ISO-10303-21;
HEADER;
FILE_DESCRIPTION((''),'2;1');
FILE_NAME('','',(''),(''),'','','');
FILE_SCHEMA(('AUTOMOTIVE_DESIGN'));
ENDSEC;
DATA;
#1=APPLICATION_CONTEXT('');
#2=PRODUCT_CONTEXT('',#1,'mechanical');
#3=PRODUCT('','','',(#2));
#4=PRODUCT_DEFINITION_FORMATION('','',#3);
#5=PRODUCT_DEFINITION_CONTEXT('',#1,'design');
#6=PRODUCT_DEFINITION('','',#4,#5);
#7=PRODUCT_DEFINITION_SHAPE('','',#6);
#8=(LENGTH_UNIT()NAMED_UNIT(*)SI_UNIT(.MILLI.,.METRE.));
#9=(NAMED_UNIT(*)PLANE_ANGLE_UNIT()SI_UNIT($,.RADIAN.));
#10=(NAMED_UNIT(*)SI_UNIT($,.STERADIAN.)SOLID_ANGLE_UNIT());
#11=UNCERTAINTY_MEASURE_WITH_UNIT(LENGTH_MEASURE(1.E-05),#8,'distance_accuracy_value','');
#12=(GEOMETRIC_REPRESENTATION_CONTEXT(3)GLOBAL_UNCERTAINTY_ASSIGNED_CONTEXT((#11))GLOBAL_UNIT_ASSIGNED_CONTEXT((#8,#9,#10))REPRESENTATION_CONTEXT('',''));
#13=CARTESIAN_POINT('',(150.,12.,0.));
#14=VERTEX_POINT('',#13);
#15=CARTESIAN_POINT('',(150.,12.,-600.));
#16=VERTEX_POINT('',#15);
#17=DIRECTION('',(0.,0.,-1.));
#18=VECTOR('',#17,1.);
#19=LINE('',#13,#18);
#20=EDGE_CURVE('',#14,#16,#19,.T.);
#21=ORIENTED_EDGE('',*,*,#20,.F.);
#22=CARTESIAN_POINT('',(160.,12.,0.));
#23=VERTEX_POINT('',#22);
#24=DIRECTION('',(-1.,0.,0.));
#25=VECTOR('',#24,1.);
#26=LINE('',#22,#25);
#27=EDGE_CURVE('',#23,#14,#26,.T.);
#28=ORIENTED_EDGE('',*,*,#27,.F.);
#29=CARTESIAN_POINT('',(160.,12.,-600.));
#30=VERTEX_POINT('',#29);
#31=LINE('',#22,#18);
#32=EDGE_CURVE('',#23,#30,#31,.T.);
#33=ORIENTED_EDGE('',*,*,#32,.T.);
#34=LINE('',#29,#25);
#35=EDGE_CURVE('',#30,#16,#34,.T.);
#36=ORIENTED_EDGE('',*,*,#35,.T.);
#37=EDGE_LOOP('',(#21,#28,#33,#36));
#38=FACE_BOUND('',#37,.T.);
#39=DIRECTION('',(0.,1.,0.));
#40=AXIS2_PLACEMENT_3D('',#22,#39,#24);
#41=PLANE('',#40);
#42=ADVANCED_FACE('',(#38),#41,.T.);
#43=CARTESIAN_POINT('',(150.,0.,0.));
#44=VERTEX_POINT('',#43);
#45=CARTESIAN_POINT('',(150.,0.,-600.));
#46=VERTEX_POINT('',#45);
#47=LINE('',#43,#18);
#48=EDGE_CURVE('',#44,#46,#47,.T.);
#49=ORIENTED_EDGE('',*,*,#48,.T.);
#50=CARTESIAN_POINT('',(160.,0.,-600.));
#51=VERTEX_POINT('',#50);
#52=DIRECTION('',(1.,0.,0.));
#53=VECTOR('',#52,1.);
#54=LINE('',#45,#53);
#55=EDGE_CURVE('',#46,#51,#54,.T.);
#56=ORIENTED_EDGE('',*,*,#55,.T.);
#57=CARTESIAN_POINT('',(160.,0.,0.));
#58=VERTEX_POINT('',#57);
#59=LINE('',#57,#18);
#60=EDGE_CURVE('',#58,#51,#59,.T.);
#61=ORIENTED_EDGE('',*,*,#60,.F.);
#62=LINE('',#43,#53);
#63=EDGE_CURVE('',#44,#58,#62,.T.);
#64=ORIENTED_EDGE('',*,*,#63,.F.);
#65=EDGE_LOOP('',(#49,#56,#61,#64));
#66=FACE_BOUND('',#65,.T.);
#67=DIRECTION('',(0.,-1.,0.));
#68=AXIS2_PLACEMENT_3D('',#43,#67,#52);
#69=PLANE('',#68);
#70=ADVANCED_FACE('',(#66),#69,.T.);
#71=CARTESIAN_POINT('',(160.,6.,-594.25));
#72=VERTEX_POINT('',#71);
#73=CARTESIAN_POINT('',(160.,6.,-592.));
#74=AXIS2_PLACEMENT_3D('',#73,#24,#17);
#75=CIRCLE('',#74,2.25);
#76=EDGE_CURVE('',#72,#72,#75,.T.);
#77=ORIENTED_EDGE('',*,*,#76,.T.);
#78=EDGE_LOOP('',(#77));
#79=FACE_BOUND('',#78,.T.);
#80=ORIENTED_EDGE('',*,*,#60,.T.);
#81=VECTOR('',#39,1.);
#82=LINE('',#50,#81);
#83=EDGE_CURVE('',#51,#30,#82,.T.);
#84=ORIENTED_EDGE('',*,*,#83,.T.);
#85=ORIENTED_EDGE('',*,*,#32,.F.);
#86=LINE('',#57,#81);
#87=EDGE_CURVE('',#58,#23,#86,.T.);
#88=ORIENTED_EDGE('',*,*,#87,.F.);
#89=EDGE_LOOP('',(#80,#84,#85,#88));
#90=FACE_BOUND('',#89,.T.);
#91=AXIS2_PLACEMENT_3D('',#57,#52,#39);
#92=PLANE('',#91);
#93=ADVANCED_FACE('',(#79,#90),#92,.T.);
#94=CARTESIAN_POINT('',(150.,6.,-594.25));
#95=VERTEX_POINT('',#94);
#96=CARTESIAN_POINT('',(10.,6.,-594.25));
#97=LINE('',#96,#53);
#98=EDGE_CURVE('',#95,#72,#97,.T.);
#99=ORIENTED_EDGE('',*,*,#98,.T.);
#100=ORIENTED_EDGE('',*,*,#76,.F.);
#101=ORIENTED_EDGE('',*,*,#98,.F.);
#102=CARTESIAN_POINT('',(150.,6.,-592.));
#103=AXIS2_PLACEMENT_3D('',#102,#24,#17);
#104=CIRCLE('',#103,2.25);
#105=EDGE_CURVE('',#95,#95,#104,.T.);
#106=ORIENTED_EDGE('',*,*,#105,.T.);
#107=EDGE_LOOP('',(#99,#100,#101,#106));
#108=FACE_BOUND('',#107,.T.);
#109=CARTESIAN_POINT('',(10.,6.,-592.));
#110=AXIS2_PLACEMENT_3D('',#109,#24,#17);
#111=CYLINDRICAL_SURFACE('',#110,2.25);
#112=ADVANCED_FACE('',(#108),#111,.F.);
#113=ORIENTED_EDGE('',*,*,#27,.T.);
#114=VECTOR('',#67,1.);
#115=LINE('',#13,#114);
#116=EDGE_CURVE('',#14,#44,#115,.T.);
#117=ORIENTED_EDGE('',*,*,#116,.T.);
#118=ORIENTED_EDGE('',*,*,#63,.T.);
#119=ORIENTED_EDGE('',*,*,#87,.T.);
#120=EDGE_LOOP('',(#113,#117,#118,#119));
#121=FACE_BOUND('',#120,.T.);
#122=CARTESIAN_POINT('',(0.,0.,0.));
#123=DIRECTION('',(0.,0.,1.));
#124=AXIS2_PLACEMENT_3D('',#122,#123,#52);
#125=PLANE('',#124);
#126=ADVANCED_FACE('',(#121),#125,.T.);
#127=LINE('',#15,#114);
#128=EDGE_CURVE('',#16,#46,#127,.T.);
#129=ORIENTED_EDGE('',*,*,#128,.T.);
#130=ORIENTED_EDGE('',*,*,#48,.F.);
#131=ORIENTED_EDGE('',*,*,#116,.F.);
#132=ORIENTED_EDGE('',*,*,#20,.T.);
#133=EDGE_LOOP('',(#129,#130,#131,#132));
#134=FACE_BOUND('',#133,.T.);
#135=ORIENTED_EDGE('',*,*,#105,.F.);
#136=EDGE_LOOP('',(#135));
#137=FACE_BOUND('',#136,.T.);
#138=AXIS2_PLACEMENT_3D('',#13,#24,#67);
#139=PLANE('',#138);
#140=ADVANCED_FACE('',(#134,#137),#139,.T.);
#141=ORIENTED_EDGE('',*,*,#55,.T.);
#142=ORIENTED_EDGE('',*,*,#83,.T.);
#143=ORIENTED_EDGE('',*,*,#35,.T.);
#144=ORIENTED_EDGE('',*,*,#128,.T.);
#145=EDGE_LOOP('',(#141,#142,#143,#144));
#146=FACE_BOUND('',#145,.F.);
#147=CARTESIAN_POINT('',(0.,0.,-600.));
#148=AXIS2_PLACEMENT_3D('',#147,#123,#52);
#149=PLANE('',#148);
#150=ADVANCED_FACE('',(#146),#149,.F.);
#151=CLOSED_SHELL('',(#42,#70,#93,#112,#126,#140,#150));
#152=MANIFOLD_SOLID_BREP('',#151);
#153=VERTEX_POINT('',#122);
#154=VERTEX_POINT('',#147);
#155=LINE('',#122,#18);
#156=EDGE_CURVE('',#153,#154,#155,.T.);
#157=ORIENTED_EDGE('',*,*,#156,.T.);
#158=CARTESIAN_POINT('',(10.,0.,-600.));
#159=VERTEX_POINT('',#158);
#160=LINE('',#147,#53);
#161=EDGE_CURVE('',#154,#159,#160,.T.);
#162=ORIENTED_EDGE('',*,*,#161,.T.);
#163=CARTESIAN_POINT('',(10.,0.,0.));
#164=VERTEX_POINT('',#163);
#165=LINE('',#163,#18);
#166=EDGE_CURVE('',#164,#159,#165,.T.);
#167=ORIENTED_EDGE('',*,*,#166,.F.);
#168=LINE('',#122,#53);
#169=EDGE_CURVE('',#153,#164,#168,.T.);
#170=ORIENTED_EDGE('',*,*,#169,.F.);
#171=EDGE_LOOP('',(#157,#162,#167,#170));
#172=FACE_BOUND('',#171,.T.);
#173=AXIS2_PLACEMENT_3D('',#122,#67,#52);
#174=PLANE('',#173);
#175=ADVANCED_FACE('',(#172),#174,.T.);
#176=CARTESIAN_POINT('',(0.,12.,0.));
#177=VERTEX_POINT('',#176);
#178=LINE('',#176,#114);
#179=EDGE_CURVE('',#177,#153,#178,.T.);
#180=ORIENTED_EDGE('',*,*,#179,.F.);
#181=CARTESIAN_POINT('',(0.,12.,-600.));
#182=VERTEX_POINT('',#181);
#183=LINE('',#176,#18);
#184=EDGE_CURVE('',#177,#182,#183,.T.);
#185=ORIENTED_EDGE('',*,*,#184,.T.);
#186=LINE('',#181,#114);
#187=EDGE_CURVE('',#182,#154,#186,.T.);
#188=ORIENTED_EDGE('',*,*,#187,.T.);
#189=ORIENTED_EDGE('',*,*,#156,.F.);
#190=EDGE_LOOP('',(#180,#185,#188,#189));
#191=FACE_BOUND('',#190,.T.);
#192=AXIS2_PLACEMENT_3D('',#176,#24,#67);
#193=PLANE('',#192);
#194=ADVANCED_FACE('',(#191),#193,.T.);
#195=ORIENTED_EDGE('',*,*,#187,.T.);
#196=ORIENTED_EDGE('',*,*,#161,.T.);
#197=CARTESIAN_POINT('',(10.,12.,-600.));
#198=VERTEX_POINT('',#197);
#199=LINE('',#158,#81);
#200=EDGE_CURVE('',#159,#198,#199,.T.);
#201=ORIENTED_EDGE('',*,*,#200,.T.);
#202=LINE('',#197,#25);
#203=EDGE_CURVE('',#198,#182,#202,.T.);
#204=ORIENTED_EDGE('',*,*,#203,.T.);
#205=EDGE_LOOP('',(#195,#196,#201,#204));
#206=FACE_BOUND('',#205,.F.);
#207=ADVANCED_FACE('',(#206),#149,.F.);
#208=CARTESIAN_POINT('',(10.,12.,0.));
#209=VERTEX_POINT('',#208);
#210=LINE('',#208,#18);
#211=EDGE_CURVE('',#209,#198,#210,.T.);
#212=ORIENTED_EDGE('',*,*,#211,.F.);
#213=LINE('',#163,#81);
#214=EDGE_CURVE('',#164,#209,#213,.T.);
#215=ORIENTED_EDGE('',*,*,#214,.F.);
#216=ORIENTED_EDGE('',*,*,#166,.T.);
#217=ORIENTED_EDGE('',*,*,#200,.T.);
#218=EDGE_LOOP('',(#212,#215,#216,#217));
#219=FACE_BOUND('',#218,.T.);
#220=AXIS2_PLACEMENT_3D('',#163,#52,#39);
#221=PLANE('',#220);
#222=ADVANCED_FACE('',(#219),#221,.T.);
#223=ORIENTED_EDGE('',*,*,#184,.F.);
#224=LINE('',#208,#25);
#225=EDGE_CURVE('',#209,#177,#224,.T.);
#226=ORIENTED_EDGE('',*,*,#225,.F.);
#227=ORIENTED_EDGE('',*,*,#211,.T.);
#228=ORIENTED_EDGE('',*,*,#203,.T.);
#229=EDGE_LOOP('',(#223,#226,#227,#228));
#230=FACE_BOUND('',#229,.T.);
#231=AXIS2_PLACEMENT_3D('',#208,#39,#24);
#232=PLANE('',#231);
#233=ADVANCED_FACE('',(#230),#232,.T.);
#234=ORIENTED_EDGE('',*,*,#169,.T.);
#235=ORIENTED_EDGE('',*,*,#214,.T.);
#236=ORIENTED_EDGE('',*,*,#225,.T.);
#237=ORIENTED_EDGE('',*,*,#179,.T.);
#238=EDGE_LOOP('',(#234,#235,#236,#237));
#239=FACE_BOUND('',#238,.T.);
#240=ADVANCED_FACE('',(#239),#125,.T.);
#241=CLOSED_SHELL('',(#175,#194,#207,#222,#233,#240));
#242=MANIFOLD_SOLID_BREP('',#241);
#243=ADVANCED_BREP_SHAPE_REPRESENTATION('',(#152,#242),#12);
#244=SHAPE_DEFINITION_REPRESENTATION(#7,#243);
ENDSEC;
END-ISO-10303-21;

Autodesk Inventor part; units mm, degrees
ref_plane "YZ Plane" through (0, 0, 0) normal (1, 0, 0) x (0, 1, 0)
ref_plane "XZ Plane" through (0, 0, 0) normal (0, 1, 0) x (-1, 0, 0)
ref_plane "XY Plane" through (0, 0, 0) normal (0, 0, 1) x (1, 0, 0)
sketch "Sketch1" plane through (0, 0, 0) normal (0, 0, 1) x (1, 0, 0)
  line L0 (0, 0) -> (10, 0)
  line L1 (10, 0) -> (10, 12)
  line L2 (10, 12) -> (0, 12)
  line L3 (0, 12) -> (0, 0)
  line L4 (150, 0) -> (160, 0)
  line L5 (160, 0) -> (160, 12)
  line L6 (160, 12) -> (150, 12)
  line L7 (150, 12) -> (150, 0)
  dimension "d0" = 10
  dimension "d1" = 12
  dimension "d2" = 10
  dimension "d3" = 12
extrude "Extrusion1" add sketch "Sketch1" against normal blind 600
sketch "Sketch2" plane through (10, 0, 0) normal (1, 0, 0) x (0, 0, -1)
  circle A0 centre (592, 6) radius 2.25
  point P0 (0, 0)
  dimension "d6" = 4.5
extrude "Extrusion2" cut sketch "Sketch2" along normal blind 600
properties part number "modelo cad brazo"
